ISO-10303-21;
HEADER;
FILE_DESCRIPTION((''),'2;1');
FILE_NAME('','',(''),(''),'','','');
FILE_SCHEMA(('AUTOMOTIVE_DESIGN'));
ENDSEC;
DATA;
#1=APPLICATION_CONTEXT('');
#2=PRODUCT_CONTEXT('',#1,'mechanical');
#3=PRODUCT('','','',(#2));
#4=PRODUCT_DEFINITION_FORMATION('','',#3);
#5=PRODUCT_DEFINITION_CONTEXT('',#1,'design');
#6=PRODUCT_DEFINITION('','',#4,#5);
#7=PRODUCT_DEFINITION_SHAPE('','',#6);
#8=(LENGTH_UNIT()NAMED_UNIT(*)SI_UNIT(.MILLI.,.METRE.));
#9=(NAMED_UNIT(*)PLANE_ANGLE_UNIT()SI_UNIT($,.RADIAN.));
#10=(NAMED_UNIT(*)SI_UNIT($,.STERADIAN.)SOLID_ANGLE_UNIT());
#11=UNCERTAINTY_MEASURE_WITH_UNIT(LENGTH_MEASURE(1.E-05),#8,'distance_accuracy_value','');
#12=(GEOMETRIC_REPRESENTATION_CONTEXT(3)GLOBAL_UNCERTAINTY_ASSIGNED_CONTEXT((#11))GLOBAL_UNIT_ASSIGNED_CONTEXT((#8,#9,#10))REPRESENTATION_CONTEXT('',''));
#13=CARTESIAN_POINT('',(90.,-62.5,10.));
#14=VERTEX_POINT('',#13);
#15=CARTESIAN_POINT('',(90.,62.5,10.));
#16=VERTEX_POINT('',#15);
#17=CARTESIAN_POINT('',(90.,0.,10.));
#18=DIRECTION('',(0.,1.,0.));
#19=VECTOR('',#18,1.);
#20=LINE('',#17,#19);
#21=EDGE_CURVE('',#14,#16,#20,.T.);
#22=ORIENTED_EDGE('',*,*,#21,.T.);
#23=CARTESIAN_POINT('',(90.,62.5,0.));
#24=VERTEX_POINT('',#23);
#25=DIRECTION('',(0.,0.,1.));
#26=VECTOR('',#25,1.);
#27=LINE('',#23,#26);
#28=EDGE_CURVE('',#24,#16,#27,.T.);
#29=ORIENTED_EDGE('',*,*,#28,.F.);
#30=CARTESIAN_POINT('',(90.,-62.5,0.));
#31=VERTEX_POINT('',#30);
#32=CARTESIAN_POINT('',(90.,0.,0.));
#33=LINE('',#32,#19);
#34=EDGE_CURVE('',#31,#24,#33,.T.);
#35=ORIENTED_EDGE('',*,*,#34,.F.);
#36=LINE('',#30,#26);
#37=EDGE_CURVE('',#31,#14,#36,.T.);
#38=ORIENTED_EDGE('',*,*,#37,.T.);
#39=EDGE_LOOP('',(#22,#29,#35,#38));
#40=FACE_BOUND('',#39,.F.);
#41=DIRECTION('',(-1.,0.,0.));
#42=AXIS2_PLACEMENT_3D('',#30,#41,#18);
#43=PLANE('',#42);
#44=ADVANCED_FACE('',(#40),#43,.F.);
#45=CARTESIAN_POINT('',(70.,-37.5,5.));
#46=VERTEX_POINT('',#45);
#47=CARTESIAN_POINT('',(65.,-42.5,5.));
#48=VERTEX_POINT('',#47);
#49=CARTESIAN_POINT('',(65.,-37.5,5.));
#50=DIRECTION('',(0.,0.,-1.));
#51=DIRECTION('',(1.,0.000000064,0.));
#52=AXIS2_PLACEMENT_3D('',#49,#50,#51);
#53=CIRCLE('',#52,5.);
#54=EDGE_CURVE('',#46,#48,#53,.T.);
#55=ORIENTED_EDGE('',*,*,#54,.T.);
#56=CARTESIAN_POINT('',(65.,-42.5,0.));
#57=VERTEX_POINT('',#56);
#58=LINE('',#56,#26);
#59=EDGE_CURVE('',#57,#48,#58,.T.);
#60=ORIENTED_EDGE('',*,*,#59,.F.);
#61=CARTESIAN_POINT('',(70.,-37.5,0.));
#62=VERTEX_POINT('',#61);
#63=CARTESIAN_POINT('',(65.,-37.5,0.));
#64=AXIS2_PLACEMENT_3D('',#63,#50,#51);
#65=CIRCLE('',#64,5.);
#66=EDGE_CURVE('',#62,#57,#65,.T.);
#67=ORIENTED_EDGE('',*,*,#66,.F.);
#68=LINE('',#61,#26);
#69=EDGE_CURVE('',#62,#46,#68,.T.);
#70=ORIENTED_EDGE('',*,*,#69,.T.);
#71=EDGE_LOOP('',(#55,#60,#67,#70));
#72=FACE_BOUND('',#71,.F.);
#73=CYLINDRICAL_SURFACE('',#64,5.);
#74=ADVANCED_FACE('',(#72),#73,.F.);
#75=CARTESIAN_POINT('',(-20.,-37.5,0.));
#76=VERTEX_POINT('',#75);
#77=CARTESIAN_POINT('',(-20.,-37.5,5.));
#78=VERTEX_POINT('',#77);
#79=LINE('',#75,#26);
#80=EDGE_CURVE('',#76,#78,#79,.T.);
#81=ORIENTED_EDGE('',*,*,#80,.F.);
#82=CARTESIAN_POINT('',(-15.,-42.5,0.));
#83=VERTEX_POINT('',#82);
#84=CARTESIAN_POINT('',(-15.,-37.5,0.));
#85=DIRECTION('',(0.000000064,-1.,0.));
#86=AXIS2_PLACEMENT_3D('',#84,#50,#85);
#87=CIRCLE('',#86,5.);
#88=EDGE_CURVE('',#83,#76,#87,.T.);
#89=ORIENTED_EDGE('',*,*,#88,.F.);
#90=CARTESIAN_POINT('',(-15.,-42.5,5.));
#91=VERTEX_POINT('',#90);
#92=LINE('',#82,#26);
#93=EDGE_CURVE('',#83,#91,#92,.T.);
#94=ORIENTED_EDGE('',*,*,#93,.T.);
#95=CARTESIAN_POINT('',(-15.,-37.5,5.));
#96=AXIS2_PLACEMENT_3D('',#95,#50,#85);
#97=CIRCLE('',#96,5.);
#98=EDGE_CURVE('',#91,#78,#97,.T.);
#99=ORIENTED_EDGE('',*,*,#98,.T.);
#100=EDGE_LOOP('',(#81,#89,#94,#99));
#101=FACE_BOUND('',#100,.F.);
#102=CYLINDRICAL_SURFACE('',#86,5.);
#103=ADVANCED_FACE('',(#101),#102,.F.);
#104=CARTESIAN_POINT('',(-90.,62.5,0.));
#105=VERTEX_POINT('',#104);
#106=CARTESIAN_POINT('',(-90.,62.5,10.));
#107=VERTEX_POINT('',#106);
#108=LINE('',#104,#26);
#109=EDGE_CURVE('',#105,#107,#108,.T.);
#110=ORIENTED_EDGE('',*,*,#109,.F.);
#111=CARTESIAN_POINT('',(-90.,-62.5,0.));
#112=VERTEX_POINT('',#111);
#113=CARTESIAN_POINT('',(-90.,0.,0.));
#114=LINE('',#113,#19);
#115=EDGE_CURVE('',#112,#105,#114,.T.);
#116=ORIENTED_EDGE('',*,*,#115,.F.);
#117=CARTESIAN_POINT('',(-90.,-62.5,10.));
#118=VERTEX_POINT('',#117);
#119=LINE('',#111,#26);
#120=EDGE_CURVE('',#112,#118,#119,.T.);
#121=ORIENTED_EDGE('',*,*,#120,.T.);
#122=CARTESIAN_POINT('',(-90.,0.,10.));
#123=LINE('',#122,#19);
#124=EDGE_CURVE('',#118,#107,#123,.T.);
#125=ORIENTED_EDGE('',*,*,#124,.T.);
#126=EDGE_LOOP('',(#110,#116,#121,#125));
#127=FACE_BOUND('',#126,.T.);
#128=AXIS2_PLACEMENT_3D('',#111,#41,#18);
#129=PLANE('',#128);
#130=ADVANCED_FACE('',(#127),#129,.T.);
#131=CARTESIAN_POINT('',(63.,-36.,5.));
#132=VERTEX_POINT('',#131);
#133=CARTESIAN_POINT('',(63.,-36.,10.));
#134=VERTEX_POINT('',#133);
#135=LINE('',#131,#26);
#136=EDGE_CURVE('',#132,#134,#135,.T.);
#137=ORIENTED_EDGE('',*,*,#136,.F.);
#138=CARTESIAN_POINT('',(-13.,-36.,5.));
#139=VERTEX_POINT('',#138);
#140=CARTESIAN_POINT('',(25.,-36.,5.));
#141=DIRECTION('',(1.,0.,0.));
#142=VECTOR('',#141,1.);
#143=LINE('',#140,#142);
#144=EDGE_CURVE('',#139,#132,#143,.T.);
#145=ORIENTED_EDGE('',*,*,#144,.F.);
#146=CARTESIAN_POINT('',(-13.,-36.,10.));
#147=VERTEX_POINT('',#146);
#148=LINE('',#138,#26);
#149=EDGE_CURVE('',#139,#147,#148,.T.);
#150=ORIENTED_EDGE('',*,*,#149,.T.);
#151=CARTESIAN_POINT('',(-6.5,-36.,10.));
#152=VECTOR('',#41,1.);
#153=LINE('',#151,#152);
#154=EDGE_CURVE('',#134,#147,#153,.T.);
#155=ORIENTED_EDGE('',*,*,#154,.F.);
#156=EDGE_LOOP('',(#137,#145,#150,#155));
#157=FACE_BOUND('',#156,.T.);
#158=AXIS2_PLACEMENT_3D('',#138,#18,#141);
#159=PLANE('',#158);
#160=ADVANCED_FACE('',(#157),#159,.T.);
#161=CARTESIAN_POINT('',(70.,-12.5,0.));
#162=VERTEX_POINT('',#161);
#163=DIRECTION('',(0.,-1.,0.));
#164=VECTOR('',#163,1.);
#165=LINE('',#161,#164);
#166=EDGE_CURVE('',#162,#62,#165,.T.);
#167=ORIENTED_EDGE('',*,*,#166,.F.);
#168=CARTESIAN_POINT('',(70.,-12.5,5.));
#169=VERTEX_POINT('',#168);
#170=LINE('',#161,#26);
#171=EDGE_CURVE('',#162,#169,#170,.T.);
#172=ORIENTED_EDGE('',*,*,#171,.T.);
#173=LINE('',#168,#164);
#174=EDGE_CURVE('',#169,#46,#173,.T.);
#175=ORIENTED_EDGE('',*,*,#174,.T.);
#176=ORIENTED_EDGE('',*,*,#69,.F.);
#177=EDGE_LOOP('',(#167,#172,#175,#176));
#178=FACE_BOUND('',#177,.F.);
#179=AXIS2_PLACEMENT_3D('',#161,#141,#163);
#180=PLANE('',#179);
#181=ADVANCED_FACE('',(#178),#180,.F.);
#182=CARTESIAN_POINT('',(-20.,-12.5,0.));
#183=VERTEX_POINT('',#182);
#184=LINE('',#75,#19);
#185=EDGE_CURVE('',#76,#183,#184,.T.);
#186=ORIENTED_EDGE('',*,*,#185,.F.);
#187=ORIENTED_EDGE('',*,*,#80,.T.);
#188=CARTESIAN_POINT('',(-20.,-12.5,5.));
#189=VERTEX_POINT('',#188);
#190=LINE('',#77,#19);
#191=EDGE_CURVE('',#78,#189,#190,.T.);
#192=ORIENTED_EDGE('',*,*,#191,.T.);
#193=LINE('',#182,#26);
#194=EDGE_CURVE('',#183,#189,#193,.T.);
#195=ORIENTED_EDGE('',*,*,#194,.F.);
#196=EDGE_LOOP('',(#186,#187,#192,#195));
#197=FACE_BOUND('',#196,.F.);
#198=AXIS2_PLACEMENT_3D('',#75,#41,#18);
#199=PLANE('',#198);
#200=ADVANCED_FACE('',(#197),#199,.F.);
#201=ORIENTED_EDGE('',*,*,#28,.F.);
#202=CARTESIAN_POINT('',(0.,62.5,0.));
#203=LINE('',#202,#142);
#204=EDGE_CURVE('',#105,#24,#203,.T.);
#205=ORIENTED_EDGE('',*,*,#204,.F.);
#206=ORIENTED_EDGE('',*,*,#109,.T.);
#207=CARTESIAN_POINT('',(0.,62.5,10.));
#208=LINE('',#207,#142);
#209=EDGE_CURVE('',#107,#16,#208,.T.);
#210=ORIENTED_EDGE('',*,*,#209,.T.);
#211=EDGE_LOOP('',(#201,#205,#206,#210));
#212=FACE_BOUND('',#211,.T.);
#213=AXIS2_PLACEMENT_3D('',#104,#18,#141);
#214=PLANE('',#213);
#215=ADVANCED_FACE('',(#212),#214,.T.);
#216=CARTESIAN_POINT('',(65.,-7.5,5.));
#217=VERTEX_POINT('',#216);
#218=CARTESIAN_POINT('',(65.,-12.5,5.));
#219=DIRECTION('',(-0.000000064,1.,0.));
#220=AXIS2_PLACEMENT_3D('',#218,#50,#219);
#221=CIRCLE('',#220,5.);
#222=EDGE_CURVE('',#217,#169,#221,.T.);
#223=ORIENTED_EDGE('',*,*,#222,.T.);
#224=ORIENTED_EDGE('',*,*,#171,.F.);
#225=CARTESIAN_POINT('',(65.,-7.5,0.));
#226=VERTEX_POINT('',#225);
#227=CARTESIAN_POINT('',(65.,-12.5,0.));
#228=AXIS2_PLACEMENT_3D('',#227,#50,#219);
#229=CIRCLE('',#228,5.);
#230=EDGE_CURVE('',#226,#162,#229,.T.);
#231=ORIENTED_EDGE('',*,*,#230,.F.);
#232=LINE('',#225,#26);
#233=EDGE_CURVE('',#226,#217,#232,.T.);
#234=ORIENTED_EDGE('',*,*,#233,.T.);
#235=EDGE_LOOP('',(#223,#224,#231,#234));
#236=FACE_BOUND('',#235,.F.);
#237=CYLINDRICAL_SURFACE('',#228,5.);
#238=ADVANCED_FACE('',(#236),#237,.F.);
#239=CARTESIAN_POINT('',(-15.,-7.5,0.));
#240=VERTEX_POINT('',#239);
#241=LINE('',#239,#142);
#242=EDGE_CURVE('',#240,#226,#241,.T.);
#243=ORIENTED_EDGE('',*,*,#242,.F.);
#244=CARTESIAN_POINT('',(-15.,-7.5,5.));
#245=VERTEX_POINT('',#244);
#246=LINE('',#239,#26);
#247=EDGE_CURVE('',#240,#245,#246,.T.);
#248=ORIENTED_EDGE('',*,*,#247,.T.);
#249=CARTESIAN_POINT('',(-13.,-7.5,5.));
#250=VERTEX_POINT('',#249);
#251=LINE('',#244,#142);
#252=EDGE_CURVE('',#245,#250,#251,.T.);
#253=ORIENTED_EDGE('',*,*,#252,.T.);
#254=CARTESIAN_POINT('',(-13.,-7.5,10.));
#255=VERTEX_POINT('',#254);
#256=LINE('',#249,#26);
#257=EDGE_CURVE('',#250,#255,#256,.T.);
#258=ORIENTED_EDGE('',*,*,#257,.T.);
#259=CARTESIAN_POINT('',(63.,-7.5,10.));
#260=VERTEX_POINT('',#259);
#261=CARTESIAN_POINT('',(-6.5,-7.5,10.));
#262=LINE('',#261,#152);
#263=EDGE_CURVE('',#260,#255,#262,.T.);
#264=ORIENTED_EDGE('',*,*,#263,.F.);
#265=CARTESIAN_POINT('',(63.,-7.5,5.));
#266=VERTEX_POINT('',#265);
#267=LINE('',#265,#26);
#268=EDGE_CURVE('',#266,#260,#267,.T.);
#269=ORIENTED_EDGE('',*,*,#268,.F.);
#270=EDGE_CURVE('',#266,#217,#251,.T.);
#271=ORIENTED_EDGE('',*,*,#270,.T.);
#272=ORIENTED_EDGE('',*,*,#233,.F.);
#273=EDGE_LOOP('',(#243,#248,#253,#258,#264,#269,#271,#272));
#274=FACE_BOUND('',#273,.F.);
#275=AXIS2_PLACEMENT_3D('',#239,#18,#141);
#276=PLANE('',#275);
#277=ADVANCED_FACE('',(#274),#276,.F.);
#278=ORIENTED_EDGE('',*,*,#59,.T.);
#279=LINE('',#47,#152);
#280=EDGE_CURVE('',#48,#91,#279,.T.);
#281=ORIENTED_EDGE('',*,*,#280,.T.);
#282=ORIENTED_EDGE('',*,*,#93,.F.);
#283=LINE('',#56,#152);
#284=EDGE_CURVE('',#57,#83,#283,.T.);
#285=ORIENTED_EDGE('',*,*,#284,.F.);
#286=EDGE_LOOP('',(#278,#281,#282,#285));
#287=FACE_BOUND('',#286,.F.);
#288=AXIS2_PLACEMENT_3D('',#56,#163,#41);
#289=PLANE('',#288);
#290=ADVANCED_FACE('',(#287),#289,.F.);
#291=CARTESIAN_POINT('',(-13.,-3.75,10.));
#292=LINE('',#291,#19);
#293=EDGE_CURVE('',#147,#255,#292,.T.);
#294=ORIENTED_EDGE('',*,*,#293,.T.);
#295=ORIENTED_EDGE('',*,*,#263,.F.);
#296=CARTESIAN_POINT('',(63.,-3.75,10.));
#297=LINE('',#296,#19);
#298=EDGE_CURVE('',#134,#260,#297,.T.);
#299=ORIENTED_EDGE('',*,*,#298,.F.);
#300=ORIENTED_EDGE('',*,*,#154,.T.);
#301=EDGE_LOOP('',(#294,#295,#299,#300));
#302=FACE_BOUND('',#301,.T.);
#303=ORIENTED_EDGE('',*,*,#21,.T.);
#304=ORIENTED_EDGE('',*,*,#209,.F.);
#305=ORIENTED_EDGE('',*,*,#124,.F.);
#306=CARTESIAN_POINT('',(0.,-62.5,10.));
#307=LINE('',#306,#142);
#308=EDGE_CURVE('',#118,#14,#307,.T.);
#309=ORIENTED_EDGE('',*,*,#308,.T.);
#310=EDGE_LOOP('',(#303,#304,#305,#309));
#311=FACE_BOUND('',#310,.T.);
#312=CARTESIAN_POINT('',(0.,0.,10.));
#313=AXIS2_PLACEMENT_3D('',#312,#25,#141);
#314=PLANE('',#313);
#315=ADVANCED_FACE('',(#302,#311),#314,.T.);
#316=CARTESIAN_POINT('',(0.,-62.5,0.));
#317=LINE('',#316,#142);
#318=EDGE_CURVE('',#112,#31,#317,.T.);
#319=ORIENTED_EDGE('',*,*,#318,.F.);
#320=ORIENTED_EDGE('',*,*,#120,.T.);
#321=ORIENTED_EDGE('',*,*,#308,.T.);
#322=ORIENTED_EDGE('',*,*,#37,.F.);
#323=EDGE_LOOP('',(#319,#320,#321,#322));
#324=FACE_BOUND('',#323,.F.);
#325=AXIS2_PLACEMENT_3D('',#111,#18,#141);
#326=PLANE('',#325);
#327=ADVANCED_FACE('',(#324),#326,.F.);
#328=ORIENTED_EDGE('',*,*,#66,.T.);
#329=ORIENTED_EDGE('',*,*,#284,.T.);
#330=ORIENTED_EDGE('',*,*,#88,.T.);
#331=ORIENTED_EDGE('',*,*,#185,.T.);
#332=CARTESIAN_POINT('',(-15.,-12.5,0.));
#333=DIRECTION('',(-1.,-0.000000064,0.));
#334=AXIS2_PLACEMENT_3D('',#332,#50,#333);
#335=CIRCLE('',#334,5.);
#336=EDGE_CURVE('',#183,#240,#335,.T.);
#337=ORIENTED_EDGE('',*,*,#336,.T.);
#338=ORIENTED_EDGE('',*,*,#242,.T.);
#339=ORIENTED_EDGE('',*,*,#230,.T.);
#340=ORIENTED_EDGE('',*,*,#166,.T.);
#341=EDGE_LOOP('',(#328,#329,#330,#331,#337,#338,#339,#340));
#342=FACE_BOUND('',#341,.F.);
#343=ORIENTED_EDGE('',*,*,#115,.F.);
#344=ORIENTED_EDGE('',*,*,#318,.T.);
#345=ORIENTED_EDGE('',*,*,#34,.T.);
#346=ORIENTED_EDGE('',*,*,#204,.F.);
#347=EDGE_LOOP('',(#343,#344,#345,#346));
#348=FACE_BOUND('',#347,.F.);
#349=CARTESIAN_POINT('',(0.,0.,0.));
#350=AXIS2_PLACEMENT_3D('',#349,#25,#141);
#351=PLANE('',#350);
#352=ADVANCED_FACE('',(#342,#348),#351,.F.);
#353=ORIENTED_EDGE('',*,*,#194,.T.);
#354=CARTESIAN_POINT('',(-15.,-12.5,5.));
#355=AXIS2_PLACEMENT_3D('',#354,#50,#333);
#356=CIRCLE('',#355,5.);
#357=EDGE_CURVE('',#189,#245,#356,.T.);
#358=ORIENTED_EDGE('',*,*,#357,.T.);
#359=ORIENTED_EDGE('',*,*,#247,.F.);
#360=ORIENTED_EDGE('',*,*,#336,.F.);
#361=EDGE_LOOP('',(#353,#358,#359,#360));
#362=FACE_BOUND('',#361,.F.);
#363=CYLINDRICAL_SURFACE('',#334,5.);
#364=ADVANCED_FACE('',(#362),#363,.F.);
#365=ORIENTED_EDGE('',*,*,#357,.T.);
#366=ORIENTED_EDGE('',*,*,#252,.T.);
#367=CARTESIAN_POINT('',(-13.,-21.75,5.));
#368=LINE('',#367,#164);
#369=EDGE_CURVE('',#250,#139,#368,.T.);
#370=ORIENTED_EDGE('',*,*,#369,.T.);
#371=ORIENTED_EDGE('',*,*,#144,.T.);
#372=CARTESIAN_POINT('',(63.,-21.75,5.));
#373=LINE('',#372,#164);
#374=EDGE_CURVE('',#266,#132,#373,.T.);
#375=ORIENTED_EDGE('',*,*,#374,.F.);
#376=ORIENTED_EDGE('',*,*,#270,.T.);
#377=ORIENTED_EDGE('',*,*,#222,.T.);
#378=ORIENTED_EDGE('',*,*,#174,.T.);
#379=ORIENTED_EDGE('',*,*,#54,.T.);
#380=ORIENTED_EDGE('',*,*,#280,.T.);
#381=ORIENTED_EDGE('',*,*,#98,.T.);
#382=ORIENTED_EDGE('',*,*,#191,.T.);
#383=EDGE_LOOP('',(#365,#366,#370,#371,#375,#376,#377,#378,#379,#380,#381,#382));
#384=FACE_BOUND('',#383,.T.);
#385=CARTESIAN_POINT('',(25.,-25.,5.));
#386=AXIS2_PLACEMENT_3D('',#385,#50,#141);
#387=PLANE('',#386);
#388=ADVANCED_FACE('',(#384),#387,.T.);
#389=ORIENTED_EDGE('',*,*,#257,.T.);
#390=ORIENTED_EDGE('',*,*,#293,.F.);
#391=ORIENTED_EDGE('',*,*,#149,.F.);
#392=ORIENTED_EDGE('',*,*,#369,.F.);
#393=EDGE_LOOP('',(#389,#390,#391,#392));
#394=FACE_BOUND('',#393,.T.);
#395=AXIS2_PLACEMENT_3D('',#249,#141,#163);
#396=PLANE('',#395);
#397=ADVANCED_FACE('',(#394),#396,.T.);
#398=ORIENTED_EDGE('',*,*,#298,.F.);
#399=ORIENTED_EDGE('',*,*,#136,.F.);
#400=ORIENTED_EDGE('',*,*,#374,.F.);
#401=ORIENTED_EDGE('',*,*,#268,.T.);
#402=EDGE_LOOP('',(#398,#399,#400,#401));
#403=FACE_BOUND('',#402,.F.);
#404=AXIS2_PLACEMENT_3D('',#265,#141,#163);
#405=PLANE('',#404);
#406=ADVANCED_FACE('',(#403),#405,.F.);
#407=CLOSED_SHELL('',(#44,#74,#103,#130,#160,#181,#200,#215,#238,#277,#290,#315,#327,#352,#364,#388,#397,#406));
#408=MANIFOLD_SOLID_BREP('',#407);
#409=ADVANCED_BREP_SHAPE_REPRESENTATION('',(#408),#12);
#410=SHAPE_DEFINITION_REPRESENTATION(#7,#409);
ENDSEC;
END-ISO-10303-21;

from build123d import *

# Parameters (mm, degrees)
F0_W     = 180
F0_H     = 125
F1_DEPTH = 10
F3_DEPTH = 5
F4_W     = 76
F4_H     = 28.5
F5_DEPTH = 5.001


with BuildPart() as f1:
    # F0 (on Top) → F1 (new body)
    with BuildSketch(Plane.XY):
        Rectangle(F0_W, F0_H)
    extrude(amount=F1_DEPTH)

    # F2 (on face) → F3 (cut)
    with BuildSketch(Plane(origin=(0, 0, 0), x_dir=(1, 0, 0), z_dir=(0, 0, -1))):
        with BuildLine():
            Line((70, 12.5), (70, 37.5))
            ThreePointArc((70, 37.5), (68.535534, 41.035534), (65, 42.5))
            Line((65, 42.5), (-15, 42.5))
            ThreePointArc((-15, 42.5), (-18.535534, 41.035534), (-20, 37.5))
            Line((-20, 37.5), (-20, 12.5))
            ThreePointArc((-20, 12.5), (-18.535534, 8.964466), (-15, 7.5))
            Line((-15, 7.5), (65, 7.5))
            ThreePointArc((65, 7.5), (68.535534, 8.964466), (70, 12.5))
        make_face()
    extrude(amount=-F3_DEPTH, mode=Mode.SUBTRACT)

    # F4 (on face) → F5 (cut, through all)
    with BuildSketch(Plane(origin=(0, 0, 5), x_dir=(1, 0, 0), z_dir=(0, 0, -1))):
        with Locations((25, 21.75)):
            Rectangle(F4_W, F4_H)
    extrude(amount=-F5_DEPTH, mode=Mode.SUBTRACT)


solid = f1.part
